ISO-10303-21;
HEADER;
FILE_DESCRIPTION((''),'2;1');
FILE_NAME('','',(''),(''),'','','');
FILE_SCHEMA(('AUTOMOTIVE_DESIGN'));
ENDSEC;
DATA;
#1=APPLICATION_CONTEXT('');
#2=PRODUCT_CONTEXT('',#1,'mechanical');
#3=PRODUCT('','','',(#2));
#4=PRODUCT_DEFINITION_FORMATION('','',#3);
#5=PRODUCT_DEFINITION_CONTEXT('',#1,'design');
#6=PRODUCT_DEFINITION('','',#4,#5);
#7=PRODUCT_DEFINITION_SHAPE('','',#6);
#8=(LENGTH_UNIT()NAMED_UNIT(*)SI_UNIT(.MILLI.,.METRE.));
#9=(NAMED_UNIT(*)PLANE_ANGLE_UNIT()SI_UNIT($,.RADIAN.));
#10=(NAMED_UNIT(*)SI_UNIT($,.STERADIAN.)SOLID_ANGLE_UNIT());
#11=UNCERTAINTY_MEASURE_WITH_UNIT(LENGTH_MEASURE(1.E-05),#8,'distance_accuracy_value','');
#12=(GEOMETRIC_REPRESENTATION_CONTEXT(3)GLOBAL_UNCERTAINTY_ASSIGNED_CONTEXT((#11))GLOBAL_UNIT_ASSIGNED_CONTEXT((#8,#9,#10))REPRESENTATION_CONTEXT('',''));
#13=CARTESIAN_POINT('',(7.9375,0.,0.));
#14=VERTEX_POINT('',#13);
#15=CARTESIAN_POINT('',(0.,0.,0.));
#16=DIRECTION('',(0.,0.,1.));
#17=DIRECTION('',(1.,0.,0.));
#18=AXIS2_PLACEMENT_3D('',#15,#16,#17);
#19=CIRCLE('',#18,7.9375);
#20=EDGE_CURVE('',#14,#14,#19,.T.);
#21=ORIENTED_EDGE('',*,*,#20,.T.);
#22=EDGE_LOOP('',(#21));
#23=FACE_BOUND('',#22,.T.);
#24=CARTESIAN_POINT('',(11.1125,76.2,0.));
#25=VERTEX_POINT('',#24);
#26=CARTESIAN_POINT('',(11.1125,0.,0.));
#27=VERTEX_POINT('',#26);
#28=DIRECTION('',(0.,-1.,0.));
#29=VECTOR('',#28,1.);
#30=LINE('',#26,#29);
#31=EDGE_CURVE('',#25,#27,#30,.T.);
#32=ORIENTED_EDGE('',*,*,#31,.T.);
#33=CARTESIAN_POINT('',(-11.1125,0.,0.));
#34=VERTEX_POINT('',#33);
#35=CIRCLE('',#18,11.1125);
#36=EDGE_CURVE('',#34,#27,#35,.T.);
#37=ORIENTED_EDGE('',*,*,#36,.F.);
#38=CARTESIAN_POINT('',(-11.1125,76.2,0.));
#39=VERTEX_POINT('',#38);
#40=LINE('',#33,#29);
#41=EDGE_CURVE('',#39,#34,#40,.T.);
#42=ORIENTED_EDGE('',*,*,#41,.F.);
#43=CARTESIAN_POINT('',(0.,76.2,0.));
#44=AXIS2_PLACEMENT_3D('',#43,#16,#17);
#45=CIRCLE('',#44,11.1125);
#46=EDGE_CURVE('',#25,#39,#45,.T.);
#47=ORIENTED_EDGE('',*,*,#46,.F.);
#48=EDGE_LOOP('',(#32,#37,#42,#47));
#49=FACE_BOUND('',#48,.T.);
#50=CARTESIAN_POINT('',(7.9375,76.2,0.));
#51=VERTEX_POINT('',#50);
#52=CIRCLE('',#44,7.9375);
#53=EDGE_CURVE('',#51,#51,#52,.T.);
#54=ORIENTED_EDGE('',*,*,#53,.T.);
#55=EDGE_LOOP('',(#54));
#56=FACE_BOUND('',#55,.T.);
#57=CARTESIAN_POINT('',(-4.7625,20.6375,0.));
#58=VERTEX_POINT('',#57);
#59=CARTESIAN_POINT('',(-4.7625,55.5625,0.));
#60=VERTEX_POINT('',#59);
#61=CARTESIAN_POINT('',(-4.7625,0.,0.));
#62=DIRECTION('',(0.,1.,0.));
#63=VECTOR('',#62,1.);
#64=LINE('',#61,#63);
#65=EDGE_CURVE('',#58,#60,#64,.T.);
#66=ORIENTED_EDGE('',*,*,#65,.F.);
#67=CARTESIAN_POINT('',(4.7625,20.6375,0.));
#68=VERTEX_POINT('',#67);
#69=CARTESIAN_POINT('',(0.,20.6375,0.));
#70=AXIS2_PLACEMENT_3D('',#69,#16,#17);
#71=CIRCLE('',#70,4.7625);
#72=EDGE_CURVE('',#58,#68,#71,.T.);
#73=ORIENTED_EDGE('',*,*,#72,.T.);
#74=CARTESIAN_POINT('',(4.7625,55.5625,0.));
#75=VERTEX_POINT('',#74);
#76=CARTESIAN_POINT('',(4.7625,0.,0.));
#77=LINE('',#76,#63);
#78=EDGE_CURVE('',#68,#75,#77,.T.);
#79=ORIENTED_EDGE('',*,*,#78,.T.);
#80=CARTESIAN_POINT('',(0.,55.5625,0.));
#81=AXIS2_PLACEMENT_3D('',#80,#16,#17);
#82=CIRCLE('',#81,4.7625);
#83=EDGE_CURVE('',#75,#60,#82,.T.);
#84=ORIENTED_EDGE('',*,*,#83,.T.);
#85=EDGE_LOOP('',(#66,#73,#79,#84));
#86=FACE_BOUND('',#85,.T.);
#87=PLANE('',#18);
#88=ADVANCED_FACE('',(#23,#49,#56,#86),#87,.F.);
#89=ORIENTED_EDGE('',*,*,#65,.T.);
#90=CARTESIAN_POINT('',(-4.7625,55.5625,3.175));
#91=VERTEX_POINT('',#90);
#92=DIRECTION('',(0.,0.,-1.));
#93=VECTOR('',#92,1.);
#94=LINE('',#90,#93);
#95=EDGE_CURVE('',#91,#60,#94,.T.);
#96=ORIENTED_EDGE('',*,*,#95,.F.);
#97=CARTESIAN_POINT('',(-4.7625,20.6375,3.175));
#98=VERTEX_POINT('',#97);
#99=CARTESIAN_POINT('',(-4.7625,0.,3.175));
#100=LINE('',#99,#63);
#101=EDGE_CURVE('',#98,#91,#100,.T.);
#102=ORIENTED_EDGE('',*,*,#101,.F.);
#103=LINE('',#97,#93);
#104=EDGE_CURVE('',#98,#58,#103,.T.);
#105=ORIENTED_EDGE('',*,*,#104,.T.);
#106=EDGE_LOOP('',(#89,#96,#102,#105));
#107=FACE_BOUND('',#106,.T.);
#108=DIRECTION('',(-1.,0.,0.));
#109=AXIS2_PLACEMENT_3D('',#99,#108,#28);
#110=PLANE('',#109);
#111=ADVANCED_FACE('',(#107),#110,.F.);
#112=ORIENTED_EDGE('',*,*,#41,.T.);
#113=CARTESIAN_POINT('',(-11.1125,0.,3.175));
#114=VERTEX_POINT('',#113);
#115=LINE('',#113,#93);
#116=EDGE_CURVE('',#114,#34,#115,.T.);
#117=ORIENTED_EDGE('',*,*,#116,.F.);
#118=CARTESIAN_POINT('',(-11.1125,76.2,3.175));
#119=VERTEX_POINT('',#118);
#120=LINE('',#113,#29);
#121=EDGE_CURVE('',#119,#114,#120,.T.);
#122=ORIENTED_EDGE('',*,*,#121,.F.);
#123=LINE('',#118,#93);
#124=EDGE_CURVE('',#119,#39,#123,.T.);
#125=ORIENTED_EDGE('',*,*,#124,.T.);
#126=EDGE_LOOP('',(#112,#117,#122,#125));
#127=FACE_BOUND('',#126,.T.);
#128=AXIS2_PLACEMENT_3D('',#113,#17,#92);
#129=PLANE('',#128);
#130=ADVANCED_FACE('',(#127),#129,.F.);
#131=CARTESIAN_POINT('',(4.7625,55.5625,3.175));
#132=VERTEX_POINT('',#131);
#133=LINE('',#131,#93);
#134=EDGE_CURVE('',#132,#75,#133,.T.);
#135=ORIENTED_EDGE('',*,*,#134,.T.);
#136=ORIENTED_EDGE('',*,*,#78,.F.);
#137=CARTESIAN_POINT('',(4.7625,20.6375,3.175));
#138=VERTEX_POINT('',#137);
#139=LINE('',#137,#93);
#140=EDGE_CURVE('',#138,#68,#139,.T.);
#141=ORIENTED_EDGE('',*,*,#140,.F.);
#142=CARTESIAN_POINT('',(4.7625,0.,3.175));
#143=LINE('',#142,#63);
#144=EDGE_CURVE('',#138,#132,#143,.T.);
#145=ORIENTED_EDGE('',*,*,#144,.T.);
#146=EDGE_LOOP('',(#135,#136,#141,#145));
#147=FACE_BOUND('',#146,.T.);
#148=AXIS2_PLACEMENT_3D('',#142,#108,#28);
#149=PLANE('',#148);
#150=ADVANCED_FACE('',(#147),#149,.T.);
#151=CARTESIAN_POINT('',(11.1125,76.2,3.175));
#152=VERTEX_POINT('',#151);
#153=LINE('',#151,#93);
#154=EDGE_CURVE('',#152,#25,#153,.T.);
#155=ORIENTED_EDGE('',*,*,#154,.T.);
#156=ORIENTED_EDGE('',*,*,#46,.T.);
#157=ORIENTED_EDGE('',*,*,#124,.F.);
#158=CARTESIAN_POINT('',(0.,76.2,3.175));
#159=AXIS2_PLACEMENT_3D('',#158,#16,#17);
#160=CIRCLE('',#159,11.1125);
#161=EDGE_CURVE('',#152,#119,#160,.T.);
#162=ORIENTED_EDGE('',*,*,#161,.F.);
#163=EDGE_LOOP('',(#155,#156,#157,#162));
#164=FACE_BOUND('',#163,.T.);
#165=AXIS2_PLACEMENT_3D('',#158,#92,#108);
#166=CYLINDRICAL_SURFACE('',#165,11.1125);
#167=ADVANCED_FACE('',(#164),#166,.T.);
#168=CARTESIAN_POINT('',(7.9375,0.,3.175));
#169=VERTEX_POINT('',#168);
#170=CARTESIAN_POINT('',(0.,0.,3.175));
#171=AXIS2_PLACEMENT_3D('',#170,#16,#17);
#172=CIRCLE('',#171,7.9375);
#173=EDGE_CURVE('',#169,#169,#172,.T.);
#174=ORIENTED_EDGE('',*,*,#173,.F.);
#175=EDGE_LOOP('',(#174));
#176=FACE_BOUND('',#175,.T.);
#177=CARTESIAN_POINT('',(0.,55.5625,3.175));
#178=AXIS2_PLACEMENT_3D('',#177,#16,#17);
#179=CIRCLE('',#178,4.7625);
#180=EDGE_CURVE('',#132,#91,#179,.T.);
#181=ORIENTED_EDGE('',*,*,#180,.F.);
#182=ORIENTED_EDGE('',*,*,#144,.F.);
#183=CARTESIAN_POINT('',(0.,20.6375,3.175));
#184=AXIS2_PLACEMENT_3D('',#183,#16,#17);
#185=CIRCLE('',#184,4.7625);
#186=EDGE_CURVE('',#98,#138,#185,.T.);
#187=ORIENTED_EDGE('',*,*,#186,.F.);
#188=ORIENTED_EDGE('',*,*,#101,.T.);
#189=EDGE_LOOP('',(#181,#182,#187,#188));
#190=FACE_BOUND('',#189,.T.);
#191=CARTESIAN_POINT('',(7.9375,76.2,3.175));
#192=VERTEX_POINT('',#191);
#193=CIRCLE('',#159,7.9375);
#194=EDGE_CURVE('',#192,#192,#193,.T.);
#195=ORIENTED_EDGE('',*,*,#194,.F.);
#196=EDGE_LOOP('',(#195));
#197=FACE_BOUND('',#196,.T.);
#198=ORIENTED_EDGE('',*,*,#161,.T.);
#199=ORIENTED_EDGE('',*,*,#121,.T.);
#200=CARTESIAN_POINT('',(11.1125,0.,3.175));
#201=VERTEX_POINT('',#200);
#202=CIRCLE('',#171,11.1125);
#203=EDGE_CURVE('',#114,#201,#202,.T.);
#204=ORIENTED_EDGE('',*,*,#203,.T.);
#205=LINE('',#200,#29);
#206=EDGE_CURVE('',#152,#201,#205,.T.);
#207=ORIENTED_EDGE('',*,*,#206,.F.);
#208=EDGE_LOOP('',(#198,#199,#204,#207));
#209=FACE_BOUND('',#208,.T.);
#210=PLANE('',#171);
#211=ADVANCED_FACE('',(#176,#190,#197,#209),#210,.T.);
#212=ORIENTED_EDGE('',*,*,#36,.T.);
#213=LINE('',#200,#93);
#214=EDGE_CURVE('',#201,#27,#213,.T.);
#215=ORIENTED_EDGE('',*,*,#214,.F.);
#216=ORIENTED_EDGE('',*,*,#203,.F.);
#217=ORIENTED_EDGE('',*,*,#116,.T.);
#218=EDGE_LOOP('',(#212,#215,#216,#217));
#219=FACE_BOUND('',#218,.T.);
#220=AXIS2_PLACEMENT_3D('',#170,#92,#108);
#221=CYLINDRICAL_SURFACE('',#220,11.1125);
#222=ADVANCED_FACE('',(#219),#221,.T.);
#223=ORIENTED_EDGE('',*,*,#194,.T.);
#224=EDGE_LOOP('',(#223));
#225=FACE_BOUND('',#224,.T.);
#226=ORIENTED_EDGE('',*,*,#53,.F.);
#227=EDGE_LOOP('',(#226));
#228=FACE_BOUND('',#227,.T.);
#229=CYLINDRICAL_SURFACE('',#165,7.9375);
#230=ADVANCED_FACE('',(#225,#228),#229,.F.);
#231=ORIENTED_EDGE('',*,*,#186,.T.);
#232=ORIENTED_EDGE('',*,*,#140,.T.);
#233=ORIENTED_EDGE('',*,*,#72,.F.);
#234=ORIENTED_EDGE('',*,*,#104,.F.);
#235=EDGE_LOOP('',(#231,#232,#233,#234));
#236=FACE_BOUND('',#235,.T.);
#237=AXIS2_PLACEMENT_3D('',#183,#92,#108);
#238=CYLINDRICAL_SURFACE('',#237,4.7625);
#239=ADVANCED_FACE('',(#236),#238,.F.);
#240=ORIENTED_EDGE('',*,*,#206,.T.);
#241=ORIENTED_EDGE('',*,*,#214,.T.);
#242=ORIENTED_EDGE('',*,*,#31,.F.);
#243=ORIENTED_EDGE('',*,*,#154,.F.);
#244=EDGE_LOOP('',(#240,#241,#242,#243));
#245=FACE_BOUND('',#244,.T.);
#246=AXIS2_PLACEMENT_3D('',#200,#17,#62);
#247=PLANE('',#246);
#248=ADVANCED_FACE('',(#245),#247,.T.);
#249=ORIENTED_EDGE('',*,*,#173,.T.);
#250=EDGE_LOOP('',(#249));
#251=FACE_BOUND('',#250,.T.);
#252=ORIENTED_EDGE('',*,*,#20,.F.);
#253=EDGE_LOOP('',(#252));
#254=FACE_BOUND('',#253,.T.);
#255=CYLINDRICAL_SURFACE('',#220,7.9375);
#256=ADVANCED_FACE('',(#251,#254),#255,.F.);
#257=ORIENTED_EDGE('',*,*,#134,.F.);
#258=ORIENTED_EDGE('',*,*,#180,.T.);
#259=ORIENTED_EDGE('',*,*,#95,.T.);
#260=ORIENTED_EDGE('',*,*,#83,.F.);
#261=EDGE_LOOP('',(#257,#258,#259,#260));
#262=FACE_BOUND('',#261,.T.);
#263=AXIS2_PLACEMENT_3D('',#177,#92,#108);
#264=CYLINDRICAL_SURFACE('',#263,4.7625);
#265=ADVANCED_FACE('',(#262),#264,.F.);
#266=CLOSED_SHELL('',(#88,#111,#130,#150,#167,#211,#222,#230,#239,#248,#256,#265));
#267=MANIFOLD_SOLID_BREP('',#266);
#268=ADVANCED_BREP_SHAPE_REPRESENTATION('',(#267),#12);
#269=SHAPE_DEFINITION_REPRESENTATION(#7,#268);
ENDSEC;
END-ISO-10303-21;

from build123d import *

# Parameters (mm, degrees)
SKETCH1_R           = 7.9375
BOSS_EXTRUDE1_DEPTH = 3.175


with BuildPart() as part:
    # Sketch1 → Boss-Extrude1 (new body)
    with BuildSketch(Plane.XY):
        with BuildLine():
            ThreePointArc((11.1125, 76.2), (0, 87.3125), (-11.1125, 76.2))
            Line((-11.1125, 76.2), (-11.1125, 0))
            ThreePointArc((-11.1125, 0), (0, -11.1125), (11.1125, 0))
            Line((11.1125, 0), (11.1125, 76.2))
        make_face()
        with Locations((0, 76.2)):
            Circle(SKETCH1_R, mode=Mode.SUBTRACT)
        with BuildLine():
            Line((-4.7625, 20.6375), (-4.7625, 55.5625))
            ThreePointArc((-4.7625, 55.5625), (0, 60.325), (4.7625, 55.5625))
            Line((4.7625, 55.5625), (4.7625, 20.6375))
            ThreePointArc((4.7625, 20.6375), (0, 15.875), (-4.7625, 20.6375))
        make_face(mode=Mode.SUBTRACT)
        Circle(SKETCH1_R, mode=Mode.SUBTRACT)
    extrude(amount=BOSS_EXTRUDE1_DEPTH)


solid = part.part
